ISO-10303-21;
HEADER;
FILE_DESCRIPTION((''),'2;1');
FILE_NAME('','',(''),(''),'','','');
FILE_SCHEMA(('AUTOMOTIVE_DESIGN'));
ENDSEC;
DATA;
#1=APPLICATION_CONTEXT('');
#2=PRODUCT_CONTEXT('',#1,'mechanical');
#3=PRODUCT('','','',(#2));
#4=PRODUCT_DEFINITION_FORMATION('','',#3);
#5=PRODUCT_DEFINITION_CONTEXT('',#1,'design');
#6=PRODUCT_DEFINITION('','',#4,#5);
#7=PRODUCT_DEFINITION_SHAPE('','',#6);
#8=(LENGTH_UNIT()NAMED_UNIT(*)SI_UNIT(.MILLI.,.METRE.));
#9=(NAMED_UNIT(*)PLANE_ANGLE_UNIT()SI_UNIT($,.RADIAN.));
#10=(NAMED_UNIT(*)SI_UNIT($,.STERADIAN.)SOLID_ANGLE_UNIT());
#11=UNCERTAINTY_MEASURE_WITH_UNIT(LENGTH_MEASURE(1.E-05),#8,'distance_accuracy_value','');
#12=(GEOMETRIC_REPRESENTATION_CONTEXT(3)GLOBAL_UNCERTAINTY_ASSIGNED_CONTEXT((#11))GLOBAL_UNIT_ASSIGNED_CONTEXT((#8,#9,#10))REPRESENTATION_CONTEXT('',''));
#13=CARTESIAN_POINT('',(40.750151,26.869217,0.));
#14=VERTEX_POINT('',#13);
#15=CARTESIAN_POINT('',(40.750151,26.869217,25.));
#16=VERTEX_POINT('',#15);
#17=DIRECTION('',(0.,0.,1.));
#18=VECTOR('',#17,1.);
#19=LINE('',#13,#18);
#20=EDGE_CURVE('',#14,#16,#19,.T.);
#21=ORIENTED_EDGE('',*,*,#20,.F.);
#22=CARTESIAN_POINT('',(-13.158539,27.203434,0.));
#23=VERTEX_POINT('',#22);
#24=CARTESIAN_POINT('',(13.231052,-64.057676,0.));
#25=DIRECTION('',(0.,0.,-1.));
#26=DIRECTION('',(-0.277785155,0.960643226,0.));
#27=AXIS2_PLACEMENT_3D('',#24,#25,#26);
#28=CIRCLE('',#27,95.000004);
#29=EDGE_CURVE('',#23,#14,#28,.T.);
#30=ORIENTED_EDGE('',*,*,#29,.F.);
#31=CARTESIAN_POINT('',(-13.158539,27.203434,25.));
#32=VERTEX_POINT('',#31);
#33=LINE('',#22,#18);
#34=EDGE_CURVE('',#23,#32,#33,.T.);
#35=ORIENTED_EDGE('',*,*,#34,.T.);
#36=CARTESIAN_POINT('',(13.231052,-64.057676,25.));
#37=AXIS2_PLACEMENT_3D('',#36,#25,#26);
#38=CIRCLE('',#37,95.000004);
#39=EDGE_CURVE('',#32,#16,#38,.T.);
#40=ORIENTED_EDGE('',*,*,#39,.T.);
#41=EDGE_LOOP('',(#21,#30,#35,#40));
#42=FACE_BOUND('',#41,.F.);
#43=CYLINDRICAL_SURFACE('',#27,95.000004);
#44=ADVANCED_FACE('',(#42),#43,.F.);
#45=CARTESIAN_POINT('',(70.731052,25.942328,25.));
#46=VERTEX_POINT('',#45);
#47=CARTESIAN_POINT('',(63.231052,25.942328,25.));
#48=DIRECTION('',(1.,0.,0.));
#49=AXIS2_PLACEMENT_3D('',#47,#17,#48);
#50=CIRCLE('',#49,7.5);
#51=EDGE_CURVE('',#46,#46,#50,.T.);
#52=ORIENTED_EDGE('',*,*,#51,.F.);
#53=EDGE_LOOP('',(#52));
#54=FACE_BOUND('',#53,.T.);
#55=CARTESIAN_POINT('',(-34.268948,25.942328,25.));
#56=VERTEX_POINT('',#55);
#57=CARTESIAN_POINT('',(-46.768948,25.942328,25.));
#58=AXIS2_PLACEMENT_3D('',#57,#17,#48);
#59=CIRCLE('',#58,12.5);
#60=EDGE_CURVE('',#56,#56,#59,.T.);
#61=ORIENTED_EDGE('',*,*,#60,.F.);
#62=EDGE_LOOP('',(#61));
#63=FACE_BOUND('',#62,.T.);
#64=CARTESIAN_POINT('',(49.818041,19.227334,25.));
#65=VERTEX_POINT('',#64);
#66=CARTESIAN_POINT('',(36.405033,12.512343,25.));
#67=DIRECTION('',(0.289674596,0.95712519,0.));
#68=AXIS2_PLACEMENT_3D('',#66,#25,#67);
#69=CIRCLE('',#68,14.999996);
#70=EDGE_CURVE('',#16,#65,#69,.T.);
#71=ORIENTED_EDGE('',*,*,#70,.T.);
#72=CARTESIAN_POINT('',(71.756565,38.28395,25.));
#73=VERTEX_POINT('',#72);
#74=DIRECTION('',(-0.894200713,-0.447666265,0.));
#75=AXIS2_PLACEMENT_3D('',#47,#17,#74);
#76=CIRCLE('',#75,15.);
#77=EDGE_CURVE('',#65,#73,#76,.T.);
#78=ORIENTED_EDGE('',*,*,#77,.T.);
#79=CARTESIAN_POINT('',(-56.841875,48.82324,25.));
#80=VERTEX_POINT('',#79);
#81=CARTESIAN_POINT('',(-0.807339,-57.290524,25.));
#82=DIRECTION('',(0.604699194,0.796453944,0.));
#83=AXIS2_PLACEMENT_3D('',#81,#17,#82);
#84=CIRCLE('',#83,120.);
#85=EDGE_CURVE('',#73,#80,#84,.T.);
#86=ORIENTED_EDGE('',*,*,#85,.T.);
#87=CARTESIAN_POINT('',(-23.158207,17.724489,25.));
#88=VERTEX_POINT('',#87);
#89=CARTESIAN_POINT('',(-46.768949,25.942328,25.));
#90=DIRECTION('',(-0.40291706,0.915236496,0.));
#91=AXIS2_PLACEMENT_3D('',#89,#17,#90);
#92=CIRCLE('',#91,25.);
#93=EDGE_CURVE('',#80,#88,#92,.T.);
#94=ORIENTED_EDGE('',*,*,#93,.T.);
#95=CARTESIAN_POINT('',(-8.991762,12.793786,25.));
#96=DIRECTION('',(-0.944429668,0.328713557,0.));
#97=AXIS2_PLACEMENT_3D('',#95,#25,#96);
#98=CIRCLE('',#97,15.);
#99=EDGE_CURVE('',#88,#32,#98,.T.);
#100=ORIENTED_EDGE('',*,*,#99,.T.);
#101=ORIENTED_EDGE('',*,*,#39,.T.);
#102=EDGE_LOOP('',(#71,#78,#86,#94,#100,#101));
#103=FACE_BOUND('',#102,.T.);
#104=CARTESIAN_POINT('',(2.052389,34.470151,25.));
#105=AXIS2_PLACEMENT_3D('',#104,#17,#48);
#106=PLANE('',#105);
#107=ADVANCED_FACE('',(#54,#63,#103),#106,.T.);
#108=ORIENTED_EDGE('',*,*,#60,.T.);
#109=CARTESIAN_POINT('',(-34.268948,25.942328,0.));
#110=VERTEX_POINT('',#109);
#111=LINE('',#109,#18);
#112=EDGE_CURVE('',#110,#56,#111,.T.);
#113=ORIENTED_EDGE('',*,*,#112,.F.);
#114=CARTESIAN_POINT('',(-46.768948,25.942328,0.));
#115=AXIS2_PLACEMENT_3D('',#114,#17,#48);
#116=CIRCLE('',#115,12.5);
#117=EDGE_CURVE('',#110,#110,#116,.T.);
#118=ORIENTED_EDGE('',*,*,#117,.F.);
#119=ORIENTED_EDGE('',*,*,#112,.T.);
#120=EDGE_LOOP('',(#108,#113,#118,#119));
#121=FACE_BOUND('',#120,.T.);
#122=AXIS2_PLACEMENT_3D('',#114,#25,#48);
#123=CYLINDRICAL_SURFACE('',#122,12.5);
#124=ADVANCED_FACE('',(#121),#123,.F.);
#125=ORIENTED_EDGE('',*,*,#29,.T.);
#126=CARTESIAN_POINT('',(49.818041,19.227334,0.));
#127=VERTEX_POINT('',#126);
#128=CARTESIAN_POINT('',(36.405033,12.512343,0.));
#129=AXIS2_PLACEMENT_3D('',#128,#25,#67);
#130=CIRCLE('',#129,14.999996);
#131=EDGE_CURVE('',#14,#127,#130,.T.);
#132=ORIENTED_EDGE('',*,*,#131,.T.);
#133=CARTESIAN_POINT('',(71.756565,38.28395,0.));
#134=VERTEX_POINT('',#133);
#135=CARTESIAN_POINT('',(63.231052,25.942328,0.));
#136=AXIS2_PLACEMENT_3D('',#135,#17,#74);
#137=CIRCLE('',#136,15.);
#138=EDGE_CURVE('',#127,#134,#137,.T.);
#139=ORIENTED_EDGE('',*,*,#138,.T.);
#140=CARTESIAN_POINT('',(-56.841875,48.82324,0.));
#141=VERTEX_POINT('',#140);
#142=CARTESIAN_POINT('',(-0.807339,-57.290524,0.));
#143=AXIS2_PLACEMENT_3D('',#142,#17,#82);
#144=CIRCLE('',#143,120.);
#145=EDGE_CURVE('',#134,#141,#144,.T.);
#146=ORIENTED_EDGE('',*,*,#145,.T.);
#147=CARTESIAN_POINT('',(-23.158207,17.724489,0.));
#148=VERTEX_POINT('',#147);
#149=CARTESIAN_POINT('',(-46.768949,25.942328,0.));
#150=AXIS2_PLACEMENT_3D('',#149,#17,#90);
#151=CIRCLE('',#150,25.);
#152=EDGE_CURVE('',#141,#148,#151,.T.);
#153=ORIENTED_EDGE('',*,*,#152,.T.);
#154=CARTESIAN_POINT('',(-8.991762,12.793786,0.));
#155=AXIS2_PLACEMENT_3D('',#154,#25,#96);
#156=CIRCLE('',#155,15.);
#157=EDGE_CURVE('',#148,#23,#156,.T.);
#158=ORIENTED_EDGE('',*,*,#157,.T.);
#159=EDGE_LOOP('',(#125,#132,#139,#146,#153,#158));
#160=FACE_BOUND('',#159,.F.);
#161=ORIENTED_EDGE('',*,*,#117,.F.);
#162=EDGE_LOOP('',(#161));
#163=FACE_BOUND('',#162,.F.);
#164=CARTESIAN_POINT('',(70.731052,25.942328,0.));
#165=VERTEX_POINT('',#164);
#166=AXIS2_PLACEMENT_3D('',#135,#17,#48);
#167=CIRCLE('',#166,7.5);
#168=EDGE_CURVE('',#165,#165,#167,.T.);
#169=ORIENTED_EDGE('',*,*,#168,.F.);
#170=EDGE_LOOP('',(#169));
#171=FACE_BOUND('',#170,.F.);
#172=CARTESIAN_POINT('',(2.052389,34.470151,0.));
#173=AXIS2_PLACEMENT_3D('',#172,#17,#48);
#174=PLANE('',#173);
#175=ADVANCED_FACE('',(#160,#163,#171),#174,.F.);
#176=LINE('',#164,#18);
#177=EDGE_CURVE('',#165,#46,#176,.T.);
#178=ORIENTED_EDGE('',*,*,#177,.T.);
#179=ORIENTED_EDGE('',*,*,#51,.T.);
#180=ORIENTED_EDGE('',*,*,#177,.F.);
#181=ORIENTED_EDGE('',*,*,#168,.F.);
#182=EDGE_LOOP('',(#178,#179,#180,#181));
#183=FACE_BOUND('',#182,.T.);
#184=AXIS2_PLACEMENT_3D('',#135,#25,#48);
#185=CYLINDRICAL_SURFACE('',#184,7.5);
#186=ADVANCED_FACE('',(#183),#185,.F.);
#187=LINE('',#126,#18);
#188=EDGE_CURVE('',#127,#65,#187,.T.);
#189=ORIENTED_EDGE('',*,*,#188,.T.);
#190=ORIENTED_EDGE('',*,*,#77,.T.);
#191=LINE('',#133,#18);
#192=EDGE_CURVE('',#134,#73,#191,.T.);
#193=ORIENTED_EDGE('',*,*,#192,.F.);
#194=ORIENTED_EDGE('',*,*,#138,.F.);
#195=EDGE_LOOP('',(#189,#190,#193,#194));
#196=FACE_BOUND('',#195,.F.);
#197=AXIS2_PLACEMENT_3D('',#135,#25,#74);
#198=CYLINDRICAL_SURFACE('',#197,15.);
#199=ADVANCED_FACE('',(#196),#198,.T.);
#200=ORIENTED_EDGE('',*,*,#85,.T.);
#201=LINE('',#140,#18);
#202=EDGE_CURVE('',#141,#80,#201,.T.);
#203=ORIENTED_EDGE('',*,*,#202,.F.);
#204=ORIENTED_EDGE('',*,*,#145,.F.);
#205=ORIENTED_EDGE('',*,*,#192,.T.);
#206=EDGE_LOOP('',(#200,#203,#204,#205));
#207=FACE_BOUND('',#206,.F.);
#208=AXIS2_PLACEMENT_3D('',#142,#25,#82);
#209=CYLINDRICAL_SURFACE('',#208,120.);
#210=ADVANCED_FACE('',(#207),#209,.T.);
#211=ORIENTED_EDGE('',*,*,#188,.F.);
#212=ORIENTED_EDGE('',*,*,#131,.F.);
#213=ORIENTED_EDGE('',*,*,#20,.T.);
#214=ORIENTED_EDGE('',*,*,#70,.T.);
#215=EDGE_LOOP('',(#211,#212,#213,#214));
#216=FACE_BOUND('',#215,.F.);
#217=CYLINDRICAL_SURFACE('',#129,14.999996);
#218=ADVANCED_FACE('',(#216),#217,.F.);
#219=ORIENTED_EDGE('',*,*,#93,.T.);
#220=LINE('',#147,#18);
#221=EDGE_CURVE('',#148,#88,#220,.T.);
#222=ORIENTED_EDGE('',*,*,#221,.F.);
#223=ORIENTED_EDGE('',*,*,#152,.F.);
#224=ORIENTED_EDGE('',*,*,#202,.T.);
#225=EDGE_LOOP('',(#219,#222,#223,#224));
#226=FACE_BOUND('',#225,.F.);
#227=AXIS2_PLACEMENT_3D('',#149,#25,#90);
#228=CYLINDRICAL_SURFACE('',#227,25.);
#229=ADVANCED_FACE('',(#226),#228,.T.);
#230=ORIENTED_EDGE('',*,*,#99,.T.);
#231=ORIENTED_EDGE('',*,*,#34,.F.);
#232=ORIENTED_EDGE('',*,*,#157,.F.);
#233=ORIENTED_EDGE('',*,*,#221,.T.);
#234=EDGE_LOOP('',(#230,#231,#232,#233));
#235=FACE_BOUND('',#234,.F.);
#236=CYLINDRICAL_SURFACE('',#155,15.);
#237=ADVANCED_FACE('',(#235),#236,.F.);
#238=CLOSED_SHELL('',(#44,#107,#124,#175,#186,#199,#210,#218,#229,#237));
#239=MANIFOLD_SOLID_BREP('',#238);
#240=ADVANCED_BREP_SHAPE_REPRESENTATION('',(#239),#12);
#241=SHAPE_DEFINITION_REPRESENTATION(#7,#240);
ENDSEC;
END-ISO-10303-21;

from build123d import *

# Parameters (mm, degrees)
F0_R     = 12.5
F0_R_2   = 7.5
F1_DEPTH = 25


with BuildPart() as f1:
    # F0 (on Top) → F1 (new body)
    with BuildSketch(Plane.XY):
        with BuildLine():
            ThreePointArc((71.756565, 38.28395), (8.994403, 62.308498), (-56.841875, 48.82324))
            ThreePointArc((-56.841875, 48.82324), (-63.727757, 7.573909), (-23.158207, 17.724489))
            ThreePointArc((-23.158207, 17.724489), (-19.31113, 23.680045), (-13.158539, 27.203434))
            ThreePointArc((-13.158539, 27.203434), (13.820011, 30.940502), (40.750151, 26.869217))
            ThreePointArc((40.750151, 26.869217), (46.071333, 23.982414), (49.818041, 19.227334))
            ThreePointArc((49.818041, 19.227334), (73.067746, 14.618042), (71.756565, 38.28395))
        make_face()
        with Locations((-46.768948, 25.942328)):
            Circle(F0_R, mode=Mode.SUBTRACT)
        with Locations((63.231052, 25.942328)):
            Circle(F0_R_2, mode=Mode.SUBTRACT)
    extrude(amount=F1_DEPTH)


solid = f1.part
